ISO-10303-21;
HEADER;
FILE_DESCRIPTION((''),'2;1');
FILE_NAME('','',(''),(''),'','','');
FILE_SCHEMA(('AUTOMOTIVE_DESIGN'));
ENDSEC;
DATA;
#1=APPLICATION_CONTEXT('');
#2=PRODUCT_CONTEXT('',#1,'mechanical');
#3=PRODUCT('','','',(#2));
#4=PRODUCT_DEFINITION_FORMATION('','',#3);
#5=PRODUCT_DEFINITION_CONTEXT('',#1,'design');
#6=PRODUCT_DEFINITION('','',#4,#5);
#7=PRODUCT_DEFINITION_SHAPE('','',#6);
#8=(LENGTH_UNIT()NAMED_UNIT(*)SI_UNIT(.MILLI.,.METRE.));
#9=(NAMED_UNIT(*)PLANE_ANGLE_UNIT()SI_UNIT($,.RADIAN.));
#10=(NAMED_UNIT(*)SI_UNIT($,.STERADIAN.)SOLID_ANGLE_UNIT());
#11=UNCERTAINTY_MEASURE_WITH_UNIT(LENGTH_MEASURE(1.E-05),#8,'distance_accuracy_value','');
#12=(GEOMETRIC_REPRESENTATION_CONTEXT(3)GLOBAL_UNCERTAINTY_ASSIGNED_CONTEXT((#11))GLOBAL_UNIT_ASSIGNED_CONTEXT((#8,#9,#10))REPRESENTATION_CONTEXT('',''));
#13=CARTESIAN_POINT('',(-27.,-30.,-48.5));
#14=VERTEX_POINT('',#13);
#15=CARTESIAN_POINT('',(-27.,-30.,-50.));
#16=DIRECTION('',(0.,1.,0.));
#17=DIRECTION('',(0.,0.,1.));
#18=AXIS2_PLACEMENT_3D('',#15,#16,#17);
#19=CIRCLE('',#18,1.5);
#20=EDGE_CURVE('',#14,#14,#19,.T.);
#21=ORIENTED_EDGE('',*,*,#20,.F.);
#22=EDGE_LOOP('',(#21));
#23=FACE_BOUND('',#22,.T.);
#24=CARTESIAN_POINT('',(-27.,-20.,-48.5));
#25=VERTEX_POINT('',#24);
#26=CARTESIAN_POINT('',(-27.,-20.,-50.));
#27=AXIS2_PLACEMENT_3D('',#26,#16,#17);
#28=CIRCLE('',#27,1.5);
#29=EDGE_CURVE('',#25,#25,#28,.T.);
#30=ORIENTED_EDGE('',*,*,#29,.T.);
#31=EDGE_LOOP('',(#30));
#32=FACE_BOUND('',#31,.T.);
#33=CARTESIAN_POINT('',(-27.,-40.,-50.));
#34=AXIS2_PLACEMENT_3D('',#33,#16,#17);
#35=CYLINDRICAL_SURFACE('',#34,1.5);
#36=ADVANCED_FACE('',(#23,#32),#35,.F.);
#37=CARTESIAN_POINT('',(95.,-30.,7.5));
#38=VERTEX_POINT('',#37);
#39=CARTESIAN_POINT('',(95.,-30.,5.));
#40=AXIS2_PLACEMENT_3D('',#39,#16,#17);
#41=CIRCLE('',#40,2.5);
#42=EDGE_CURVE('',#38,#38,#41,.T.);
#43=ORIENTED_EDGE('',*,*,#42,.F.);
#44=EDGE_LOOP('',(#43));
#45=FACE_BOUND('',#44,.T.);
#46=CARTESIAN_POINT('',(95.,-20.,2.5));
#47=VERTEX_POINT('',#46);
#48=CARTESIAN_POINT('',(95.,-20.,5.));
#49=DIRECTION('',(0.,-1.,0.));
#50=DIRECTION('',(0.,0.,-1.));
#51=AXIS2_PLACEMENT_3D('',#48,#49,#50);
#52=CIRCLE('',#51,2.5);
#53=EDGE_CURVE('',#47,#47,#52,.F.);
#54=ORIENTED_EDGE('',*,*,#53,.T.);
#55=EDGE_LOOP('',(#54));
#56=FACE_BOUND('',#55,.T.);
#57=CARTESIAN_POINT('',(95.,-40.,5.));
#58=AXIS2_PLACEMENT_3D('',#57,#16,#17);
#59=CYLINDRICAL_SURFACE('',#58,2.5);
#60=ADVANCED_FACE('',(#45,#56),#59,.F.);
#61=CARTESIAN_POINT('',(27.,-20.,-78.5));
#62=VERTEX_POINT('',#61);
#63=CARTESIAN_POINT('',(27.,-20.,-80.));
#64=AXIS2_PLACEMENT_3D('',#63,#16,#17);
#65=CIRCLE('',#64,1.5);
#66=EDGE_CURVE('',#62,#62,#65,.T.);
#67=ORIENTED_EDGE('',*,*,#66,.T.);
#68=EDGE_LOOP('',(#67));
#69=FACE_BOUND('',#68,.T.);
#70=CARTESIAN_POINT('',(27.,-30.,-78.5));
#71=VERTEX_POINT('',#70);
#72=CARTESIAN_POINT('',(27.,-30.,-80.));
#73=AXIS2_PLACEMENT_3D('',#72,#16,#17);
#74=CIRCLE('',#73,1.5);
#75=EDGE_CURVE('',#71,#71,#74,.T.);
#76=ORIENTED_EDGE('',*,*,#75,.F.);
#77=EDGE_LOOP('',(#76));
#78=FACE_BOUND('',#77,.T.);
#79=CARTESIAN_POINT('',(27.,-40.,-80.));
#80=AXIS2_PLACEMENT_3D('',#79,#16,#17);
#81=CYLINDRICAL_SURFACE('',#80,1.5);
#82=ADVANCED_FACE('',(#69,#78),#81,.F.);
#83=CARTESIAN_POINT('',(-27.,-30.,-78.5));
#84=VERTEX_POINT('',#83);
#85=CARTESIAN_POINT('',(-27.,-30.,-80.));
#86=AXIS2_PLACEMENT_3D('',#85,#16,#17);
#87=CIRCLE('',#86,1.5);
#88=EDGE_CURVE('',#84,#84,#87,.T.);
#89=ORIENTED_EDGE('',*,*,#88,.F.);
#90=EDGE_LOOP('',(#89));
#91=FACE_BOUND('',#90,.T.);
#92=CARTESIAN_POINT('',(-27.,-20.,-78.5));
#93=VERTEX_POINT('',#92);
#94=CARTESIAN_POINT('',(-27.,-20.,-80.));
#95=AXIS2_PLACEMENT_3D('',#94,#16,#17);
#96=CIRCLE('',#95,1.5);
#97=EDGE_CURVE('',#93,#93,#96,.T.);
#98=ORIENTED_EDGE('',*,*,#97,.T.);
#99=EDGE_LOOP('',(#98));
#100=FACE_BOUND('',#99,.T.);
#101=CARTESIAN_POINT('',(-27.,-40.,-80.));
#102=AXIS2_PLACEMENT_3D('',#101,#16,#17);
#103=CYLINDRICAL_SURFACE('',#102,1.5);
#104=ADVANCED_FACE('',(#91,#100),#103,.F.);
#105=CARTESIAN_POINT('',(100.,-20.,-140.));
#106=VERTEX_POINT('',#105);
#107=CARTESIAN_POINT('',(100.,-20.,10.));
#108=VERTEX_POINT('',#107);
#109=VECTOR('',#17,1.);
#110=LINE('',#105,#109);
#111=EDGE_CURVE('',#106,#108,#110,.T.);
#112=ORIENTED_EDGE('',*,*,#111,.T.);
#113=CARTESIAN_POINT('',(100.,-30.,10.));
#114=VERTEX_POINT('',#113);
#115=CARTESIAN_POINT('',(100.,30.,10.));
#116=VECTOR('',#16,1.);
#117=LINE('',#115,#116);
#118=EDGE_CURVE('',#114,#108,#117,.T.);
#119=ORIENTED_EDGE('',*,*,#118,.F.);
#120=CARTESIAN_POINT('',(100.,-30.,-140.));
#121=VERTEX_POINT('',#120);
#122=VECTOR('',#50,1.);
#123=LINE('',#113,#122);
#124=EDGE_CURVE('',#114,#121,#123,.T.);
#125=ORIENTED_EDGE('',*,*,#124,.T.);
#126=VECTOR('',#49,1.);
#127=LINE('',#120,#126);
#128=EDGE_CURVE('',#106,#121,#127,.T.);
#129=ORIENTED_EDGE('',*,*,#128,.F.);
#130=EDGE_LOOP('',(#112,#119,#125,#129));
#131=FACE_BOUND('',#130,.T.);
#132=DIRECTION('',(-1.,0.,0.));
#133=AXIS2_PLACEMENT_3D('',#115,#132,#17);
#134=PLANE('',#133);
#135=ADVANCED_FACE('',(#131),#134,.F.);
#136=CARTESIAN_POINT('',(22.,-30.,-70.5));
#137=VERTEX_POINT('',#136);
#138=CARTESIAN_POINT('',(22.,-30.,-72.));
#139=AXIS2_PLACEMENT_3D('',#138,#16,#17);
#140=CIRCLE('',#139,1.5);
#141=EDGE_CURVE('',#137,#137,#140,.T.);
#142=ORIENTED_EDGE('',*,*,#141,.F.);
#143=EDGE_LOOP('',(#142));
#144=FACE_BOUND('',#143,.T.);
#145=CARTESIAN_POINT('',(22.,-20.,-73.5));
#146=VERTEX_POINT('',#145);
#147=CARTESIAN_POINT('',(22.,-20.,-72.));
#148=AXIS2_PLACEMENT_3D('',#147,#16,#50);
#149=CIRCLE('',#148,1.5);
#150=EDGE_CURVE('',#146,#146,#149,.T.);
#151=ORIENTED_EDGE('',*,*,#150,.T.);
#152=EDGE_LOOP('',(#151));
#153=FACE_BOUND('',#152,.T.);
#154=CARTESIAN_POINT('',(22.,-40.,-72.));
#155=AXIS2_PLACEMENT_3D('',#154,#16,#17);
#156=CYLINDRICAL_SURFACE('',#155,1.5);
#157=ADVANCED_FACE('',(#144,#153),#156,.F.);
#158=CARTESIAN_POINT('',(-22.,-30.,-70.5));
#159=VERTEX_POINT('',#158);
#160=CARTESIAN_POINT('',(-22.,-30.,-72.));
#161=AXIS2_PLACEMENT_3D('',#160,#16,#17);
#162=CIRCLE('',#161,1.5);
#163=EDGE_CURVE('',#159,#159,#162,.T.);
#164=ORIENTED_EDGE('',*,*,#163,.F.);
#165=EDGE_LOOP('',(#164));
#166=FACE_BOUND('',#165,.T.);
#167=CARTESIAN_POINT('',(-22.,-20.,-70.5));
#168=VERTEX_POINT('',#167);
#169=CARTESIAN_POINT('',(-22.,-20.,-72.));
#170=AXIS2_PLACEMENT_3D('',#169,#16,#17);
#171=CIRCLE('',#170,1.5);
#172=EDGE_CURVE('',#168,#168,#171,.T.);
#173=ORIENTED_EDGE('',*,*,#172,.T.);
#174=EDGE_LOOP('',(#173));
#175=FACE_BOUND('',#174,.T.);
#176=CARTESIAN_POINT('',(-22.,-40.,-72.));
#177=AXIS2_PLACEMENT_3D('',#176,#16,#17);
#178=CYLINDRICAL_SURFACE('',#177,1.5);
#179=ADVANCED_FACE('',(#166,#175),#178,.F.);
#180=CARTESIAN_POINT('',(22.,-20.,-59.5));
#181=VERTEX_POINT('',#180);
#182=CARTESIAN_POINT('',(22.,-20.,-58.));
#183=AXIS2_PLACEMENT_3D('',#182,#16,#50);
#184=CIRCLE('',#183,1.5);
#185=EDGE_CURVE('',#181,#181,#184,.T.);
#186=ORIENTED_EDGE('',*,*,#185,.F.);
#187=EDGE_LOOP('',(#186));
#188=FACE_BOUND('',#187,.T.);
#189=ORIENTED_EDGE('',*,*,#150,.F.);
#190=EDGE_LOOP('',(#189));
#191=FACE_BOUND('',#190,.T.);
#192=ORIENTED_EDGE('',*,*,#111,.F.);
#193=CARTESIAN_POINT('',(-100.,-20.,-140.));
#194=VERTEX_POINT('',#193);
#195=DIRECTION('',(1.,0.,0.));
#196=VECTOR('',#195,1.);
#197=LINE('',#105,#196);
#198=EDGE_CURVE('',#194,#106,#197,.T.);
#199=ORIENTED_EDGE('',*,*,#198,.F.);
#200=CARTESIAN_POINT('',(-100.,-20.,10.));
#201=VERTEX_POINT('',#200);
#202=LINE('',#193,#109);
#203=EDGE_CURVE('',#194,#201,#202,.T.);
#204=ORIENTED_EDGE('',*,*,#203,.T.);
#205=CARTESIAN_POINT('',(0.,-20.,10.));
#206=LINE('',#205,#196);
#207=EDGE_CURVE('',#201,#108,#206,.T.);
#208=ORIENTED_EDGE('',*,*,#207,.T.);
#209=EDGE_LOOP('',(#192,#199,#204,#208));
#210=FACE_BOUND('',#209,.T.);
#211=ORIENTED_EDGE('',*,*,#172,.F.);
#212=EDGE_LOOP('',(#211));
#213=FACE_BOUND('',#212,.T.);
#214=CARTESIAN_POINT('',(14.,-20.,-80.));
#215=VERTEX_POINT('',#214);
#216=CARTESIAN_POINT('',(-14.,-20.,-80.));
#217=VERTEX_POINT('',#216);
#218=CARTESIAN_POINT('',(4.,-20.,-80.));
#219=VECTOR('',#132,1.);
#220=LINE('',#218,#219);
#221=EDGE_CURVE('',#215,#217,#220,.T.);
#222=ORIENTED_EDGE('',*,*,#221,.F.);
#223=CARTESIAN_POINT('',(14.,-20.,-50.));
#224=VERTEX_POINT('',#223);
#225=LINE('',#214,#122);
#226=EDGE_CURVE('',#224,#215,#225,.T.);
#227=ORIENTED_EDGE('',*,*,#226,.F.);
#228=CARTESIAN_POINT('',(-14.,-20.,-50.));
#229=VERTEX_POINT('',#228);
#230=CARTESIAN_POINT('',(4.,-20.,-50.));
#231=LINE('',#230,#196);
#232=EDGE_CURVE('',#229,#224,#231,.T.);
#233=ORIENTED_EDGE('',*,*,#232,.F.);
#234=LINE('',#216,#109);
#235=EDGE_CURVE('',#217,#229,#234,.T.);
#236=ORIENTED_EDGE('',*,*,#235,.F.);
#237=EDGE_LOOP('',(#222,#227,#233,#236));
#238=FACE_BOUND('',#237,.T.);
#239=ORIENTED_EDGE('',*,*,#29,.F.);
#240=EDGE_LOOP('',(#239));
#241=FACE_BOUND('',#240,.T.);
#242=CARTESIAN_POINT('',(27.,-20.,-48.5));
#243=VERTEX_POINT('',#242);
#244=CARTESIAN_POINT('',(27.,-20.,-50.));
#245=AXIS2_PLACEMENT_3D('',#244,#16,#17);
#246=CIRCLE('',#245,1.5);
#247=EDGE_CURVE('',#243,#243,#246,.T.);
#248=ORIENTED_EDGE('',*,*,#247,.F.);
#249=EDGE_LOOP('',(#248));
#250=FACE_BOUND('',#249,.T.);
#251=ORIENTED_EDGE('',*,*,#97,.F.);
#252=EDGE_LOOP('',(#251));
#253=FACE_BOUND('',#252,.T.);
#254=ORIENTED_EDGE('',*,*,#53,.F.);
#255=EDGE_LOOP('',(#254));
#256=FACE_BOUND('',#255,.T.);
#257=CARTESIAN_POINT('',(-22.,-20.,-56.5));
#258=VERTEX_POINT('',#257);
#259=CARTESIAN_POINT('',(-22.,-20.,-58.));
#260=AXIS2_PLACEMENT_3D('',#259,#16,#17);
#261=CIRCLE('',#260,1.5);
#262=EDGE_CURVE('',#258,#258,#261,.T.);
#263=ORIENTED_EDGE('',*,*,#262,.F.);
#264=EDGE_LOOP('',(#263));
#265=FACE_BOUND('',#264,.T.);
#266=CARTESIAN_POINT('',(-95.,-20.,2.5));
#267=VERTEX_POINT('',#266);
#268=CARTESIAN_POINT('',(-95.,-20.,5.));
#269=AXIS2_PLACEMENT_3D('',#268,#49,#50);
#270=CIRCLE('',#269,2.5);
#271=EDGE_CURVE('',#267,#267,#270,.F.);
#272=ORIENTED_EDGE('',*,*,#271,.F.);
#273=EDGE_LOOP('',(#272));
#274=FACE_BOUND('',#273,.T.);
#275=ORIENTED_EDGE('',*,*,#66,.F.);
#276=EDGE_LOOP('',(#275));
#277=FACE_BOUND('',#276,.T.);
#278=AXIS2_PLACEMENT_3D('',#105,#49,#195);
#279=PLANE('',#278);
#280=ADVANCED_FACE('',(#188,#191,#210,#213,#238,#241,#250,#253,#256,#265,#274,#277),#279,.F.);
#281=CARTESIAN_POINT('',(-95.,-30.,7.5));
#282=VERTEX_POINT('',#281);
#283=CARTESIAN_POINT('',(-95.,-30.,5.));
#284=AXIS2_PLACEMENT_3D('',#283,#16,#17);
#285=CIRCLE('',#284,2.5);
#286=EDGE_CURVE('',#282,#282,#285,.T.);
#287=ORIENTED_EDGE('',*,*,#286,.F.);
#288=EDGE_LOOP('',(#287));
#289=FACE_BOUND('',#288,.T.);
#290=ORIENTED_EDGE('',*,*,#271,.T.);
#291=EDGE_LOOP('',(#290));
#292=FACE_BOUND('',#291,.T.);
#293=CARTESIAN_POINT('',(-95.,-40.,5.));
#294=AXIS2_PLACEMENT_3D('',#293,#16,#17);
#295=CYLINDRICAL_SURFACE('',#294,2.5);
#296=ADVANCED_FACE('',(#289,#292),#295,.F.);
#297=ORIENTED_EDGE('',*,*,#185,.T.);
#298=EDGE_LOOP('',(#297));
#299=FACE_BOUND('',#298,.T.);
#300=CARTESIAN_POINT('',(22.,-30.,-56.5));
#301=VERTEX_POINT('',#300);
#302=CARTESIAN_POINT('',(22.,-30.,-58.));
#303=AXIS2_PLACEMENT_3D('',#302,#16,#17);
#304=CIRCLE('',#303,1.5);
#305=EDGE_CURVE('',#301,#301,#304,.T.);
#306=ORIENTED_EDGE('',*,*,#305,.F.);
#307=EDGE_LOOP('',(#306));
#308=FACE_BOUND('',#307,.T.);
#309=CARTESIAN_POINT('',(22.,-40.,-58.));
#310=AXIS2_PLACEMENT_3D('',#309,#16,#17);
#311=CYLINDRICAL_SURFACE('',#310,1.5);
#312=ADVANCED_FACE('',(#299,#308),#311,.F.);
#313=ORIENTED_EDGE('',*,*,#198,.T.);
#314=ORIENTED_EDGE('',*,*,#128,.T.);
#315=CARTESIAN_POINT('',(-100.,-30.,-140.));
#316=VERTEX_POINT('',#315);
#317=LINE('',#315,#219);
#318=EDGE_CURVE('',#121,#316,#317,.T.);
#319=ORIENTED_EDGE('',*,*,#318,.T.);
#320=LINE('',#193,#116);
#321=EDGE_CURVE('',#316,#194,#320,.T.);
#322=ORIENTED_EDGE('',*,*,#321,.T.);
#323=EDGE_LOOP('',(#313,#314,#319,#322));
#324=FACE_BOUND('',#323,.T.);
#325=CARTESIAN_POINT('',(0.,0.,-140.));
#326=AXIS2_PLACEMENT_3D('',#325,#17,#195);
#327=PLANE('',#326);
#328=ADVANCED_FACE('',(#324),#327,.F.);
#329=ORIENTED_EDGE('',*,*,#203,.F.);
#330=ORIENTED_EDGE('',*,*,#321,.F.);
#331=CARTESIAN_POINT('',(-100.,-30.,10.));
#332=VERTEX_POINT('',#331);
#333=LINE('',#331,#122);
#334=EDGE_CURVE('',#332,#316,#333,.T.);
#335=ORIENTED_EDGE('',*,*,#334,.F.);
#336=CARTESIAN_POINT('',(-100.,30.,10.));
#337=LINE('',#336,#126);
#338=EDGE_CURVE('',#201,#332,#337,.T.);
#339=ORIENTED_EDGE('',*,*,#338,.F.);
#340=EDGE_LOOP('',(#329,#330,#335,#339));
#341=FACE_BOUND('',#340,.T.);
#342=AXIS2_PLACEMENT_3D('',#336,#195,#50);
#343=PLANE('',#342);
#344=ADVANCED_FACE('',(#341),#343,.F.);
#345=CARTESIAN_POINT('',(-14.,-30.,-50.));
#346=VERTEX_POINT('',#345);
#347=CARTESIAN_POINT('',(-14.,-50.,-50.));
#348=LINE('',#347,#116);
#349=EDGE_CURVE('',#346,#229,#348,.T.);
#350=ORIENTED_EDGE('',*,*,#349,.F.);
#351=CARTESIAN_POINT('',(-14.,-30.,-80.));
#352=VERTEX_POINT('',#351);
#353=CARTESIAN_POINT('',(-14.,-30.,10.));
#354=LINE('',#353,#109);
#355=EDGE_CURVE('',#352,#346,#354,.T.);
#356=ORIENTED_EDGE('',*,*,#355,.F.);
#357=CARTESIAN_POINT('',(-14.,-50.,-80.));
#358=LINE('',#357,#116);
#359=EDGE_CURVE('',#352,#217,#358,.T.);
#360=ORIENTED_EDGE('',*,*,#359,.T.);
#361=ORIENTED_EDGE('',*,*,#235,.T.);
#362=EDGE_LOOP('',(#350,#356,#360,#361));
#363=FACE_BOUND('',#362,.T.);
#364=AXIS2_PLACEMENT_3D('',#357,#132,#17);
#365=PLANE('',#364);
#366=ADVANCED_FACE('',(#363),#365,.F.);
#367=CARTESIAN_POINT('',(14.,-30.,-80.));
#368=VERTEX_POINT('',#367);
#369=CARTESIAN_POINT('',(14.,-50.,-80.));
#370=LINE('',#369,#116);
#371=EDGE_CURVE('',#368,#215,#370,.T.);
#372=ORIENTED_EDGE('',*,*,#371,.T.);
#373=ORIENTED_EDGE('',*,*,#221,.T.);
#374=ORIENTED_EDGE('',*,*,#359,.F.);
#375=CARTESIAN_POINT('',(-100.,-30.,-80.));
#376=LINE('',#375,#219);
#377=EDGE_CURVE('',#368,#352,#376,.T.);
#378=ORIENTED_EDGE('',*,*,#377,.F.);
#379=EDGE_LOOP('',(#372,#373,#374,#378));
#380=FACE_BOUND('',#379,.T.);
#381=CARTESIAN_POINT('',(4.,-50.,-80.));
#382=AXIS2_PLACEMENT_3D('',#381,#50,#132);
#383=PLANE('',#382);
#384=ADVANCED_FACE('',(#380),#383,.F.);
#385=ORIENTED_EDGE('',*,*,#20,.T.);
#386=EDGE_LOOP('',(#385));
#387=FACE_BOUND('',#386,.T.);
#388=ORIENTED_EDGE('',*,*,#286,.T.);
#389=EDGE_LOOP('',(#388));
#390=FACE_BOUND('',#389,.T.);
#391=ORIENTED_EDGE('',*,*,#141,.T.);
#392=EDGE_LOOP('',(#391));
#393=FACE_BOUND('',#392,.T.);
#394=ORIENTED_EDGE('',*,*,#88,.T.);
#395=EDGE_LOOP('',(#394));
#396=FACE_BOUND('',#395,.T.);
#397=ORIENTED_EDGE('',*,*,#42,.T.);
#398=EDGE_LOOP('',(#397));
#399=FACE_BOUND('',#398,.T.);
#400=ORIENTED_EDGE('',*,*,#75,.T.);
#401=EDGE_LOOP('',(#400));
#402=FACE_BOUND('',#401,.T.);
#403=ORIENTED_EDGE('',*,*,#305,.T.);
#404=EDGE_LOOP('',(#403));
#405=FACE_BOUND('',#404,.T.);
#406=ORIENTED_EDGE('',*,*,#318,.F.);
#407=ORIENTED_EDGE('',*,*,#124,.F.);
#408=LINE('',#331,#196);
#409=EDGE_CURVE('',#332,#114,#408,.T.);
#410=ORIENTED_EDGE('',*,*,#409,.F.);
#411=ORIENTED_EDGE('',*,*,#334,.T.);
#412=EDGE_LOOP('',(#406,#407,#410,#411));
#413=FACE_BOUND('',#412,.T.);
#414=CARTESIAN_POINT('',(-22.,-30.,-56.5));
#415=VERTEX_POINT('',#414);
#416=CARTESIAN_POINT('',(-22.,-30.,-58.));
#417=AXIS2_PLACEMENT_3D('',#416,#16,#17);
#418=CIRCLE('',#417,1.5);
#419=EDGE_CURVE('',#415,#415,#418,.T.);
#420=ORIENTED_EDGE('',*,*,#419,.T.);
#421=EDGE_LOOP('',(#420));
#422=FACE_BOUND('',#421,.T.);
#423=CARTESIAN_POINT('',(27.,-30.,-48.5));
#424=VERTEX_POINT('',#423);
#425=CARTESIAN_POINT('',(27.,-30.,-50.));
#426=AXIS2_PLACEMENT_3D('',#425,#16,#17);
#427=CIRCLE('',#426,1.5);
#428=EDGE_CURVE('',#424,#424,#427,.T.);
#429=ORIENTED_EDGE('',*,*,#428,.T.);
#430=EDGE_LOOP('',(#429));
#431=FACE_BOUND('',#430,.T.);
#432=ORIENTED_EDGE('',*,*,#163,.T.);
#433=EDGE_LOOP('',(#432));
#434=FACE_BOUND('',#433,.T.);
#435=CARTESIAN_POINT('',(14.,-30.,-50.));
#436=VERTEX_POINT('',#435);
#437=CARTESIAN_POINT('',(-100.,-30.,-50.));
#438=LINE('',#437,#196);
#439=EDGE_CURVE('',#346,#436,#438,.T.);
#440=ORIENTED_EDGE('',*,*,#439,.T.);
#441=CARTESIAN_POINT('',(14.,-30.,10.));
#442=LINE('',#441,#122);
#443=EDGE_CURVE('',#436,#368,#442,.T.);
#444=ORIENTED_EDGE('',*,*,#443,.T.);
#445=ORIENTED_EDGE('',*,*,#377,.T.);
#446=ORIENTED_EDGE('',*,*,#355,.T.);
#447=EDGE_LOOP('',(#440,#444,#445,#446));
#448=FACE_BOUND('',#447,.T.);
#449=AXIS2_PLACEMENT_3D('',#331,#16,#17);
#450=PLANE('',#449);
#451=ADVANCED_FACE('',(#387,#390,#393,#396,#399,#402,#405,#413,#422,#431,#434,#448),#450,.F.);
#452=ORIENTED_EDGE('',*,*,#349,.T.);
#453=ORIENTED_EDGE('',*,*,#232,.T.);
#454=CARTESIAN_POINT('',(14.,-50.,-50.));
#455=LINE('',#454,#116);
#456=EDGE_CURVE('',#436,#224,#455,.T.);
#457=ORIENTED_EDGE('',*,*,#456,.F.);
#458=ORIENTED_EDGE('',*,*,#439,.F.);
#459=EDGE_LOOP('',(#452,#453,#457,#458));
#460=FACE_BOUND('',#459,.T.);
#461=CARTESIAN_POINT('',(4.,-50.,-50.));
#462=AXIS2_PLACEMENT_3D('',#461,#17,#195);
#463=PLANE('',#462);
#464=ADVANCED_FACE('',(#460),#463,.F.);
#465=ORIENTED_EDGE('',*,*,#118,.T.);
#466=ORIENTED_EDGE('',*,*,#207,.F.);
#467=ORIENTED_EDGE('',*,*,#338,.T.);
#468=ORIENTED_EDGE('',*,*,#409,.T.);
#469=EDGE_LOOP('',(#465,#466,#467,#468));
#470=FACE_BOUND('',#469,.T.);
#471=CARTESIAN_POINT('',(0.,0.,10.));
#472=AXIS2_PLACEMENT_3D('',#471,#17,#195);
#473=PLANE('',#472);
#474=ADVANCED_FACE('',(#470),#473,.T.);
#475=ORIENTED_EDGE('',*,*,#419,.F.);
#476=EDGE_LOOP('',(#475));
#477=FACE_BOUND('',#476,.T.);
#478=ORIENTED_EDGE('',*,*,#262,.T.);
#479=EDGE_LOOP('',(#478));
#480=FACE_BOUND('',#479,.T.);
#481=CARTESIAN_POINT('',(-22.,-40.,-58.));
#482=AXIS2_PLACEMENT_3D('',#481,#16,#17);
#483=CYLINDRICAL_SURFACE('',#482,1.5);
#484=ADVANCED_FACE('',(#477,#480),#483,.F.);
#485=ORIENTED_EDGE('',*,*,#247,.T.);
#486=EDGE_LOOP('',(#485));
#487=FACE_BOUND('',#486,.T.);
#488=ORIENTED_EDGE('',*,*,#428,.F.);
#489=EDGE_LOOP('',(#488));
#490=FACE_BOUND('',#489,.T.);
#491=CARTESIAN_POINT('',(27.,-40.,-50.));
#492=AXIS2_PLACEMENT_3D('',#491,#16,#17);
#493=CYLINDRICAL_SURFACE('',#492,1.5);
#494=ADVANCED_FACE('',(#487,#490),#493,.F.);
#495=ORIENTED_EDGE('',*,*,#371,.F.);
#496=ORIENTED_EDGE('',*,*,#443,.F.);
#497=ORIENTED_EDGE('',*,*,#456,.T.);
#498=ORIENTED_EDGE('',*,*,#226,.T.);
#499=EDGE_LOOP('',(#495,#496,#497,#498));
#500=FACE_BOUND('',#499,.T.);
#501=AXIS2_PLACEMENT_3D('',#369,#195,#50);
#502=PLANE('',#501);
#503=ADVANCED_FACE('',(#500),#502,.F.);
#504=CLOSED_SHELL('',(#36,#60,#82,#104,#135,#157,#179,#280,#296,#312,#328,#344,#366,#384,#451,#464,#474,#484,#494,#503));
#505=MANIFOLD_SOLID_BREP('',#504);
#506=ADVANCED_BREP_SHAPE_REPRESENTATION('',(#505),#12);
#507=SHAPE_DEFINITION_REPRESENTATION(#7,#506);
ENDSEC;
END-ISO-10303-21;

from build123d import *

# Parameters (mm, degrees)
SKETCH1_W           = 200
SKETCH1_H           = 60
BOSS_EXTRUDE1_DEPTH = 10
SKETCH2_W           = 200
SKETCH2_H           = 10
BOSS_EXTRUDE2_DEPTH = 140
SKETCH3_R           = 15.5
CUT_EXTRUDE1_DEPTH  = 60
SKETCH7_W           = 10
SKETCH7_H           = 30
CUT_EXTRUDE4_DEPTH  = 30
SKETCH9_R           = 1.5
SKETCH9_R_2         = 2.5
CUT_EXTRUDE6_DEPTH  = 20
SKETCH10_W          = 33.76561095
SKETCH10_H          = 62.627783557
CUT_EXTRUDE7_DEPTH  = 130
SKETCH11_W          = 8
SKETCH11_H          = 30
CUT_EXTRUDE8_DEPTH  = 30


with BuildPart() as part:
    # Sketch1 → Boss-Extrude1 (new body)
    with BuildSketch(Plane.XY):
        Rectangle(SKETCH1_W, SKETCH1_H)
    extrude(amount=BOSS_EXTRUDE1_DEPTH)

    # Sketch2 → Boss-Extrude2 (add)
    with BuildSketch(Plane(origin=(0, 0, 0), x_dir=(-1, 0, 0), z_dir=(0, 0, -1))):
        with Locations((0, -25)):
            Rectangle(SKETCH2_W, SKETCH2_H)
    extrude(amount=BOSS_EXTRUDE2_DEPTH)

    # Sketch3 → Cut-Extrude1 (cut)
    with BuildSketch(Plane.XY.offset(10)):
        with Locations((0, 5)):
            Circle(SKETCH3_R)
        with Locations((60, 5)):
            Circle(SKETCH3_R)
        with Locations((-60, 5)):
            Circle(SKETCH3_R)
    extrude(amount=-CUT_EXTRUDE1_DEPTH, mode=Mode.SUBTRACT)

    # Sketch7 → Cut-Extrude4 (cut)
    with BuildSketch(Plane(origin=(0, -20, 0), x_dir=(1, 0, 0), z_dir=(0, 1, 0))):
        with Locations((9, 65)):
            Rectangle(SKETCH7_W, SKETCH7_H)
        with Locations((-9, 65)):
            Rectangle(SKETCH7_W, SKETCH7_H)
    extrude(amount=-CUT_EXTRUDE4_DEPTH, mode=Mode.SUBTRACT)

    # Sketch9 → Cut-Extrude6 (cut)
    with BuildSketch(Plane(origin=(0, -20, 0), x_dir=(1, 0, 0), z_dir=(0, 1, 0))):
        with Locations(Location((-27, 80, 0), (0, 0, 270))):
            Circle(SKETCH9_R)
        with Locations(Location((27, 80, 0), (0, 0, 270))):
            Circle(SKETCH9_R)
        with Locations(Location((27, 50, 0), (0, 0, 270))):
            Circle(SKETCH9_R)
        with Locations(Location((-27, 50, 0), (0, 0, 270))):
            Circle(SKETCH9_R)
        with Locations(Location((-22, 72, 0), (0, 0, 270))):
            Circle(SKETCH9_R)
        with Locations(Location((-22, 58, 0), (0, 0, 270))):
            Circle(SKETCH9_R)
        with Locations(Location((22, 72, 0), (0, 0, 270))):
            Circle(SKETCH9_R)
        with Locations(Location((22, 58, 0), (0, 0, 270))):
            Circle(SKETCH9_R)
        with Locations(Location((95, -5, 0), (0, 0, 270))):
            Circle(SKETCH9_R_2)
        with Locations(Location((-95, -5, 0), (0, 0, 270))):
            Circle(SKETCH9_R_2)
    extrude(amount=-CUT_EXTRUDE6_DEPTH, mode=Mode.SUBTRACT)

    # Sketch10 → Cut-Extrude7 (cut, symmetric)
    with BuildSketch(Plane(origin=(0, 0, 0), x_dir=(0, 0, -1), z_dir=(1, 0, 0))):
        with Locations((-16.882805475, 11.313891779)):
            Rectangle(SKETCH10_W, SKETCH10_H)
    extrude(amount=CUT_EXTRUDE7_DEPTH, both=True, mode=Mode.SUBTRACT)

    # Sketch11 → Cut-Extrude8 (cut)
    with BuildSketch(Plane(origin=(0, -20, 0), x_dir=(1, 0, 0), z_dir=(0, 1, 0))):
        with Locations((0, 65)):
            Rectangle(SKETCH11_W, SKETCH11_H)
    extrude(amount=-CUT_EXTRUDE8_DEPTH, mode=Mode.SUBTRACT)


solid = part.part
